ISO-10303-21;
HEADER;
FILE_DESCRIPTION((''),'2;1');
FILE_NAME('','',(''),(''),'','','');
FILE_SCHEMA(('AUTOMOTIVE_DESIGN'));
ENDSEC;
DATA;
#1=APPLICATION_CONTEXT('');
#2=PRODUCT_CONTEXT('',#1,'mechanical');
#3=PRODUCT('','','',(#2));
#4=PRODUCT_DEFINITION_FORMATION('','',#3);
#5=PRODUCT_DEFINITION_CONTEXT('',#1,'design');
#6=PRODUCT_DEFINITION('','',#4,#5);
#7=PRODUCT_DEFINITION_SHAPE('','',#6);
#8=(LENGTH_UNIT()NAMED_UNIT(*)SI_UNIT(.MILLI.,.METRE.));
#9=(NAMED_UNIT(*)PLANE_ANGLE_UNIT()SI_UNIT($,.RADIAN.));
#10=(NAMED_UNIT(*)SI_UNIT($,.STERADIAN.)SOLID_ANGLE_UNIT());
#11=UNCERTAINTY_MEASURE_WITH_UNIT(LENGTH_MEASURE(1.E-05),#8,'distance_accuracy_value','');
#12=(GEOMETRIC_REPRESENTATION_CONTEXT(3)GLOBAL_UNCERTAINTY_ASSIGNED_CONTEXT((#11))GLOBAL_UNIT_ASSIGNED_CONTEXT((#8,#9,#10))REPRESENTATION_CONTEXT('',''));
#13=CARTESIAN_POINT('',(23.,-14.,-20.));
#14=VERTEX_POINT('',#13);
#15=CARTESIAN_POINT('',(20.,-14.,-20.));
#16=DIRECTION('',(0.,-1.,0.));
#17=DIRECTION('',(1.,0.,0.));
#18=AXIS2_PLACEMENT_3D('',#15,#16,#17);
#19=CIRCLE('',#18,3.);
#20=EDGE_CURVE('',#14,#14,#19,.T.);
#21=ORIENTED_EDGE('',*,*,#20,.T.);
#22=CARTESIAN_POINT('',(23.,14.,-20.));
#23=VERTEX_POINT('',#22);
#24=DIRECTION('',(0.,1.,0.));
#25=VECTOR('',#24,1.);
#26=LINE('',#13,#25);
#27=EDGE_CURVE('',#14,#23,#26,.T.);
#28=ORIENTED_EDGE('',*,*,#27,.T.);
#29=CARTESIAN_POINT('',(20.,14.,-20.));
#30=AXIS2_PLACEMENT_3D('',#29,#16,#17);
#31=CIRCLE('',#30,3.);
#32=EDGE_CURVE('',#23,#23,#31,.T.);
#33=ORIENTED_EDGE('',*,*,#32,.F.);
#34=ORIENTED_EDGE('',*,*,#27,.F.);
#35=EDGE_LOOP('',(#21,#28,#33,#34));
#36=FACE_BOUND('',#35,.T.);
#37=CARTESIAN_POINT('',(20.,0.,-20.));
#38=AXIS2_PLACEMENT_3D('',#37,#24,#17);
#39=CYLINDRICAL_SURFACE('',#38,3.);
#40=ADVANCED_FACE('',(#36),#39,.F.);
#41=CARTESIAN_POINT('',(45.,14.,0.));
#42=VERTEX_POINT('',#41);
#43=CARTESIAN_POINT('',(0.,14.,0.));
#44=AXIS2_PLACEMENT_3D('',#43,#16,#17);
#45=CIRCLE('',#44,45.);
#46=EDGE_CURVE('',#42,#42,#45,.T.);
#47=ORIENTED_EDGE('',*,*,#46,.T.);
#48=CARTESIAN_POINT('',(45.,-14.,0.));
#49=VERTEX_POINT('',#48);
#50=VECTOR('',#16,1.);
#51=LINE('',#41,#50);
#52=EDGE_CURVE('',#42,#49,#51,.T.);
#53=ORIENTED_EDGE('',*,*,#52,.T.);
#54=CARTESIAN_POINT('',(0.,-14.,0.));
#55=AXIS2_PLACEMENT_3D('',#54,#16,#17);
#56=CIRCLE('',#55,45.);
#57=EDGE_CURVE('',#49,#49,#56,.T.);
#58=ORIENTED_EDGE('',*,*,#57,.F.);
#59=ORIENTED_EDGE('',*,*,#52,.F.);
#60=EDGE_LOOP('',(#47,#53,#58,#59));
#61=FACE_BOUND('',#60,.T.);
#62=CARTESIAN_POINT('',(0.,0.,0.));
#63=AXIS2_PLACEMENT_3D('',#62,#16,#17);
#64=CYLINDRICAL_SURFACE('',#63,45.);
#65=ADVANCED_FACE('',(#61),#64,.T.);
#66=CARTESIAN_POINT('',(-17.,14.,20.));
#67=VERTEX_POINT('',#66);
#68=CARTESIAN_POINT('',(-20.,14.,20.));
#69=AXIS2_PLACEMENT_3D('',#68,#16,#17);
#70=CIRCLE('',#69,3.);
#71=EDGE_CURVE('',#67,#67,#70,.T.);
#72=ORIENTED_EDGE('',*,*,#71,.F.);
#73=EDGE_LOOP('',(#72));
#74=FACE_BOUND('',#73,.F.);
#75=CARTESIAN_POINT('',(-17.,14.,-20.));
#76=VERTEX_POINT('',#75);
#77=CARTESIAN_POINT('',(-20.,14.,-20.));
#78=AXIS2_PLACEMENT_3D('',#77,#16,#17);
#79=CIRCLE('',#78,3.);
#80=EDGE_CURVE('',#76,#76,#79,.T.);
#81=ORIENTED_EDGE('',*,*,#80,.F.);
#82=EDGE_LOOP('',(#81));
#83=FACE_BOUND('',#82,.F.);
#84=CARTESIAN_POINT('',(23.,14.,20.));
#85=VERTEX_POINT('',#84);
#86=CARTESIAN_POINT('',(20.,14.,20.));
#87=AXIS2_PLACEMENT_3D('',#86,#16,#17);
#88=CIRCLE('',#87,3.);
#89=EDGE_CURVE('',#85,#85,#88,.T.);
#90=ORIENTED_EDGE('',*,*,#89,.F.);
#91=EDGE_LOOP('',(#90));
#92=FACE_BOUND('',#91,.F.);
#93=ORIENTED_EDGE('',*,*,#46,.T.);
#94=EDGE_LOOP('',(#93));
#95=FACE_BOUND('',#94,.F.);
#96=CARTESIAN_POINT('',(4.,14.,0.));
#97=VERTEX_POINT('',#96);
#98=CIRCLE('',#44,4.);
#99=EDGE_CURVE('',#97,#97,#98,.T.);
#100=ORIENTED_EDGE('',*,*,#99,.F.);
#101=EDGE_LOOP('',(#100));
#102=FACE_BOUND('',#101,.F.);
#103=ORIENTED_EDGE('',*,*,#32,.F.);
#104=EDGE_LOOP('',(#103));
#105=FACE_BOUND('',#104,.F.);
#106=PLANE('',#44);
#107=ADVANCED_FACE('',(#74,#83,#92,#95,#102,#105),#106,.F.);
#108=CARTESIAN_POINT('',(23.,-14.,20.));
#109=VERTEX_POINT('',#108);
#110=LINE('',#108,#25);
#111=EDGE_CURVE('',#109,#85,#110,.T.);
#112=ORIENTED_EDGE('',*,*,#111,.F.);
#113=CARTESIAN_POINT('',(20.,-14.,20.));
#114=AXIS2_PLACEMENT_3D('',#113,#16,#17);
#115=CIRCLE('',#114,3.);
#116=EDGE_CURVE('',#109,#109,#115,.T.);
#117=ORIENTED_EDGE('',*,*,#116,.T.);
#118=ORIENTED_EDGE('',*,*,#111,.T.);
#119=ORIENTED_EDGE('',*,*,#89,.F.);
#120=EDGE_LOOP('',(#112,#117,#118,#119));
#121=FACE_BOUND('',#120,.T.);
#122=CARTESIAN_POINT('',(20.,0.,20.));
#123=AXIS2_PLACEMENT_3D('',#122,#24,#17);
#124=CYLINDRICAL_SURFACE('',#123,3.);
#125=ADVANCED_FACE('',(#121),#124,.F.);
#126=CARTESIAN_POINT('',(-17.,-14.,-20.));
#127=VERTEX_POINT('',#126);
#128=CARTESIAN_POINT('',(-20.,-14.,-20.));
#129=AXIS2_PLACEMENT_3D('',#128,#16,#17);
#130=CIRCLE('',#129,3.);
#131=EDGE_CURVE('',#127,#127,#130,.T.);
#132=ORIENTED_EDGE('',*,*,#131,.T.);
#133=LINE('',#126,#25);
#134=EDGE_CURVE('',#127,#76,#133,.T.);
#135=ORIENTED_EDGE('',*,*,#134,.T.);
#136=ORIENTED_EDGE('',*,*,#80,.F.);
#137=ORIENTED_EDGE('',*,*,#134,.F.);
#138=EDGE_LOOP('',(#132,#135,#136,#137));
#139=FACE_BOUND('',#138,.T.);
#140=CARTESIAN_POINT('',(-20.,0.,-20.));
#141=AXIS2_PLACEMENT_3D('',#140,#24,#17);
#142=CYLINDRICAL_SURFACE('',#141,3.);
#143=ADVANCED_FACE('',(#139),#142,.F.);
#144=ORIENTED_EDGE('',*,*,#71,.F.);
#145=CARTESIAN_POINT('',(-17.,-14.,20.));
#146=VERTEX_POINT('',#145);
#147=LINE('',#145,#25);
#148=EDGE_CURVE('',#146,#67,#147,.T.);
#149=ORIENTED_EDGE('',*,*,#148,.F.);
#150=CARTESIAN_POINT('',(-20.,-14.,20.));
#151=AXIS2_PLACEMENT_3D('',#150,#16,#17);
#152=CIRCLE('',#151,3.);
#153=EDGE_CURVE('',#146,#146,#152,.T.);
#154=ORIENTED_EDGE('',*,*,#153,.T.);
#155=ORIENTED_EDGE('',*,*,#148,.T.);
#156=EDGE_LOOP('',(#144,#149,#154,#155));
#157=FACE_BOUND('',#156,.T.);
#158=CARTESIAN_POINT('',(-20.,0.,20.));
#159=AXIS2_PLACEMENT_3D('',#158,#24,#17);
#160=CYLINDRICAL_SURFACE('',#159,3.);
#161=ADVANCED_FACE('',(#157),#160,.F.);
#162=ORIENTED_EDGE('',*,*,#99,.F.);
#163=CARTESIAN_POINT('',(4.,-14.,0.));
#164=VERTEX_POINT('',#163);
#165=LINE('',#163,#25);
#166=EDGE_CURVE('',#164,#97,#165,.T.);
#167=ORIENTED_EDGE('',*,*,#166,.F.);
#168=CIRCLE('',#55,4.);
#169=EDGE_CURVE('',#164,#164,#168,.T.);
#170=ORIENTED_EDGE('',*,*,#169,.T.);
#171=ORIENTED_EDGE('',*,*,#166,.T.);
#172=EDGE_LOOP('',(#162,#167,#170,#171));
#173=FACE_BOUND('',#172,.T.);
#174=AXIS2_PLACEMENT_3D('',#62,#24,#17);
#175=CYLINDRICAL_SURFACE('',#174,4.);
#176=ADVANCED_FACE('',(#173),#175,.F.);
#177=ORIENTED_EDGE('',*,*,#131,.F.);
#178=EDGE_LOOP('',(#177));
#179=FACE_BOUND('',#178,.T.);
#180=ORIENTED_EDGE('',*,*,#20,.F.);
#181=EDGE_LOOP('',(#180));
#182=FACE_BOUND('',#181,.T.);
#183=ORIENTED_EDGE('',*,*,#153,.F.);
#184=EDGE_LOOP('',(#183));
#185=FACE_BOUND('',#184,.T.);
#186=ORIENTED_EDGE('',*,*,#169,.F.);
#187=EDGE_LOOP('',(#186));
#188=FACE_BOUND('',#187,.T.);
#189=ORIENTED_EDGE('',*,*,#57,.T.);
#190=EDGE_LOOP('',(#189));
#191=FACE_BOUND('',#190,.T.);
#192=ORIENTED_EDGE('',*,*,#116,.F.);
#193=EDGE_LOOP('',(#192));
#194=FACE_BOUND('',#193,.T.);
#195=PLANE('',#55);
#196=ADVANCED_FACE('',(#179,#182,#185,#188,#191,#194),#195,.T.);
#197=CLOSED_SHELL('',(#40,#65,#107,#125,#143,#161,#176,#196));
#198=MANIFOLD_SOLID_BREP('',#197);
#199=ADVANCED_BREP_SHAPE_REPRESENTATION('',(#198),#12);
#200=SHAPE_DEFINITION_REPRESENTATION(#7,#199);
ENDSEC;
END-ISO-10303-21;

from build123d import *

# Parameters (mm, degrees)
F0_R     = 45
F0_R_2   = 3
F0_R_3   = 4
F1_DEPTH = 14


with BuildPart() as f1:
    # F0 (on Front) → F1 (new body, symmetric)
    with BuildSketch(Plane.XZ):
        Circle(F0_R)
        with Locations((-20, -20)):
            Circle(F0_R_2, mode=Mode.SUBTRACT)
        with Locations((20, -20)):
            Circle(F0_R_2, mode=Mode.SUBTRACT)
        with Locations((-20, 20)):
            Circle(F0_R_2, mode=Mode.SUBTRACT)
        Circle(F0_R_3, mode=Mode.SUBTRACT)
        with Locations((20, 20)):
            Circle(F0_R_2, mode=Mode.SUBTRACT)
    extrude(amount=F1_DEPTH, both=True)


solid = f1.part
